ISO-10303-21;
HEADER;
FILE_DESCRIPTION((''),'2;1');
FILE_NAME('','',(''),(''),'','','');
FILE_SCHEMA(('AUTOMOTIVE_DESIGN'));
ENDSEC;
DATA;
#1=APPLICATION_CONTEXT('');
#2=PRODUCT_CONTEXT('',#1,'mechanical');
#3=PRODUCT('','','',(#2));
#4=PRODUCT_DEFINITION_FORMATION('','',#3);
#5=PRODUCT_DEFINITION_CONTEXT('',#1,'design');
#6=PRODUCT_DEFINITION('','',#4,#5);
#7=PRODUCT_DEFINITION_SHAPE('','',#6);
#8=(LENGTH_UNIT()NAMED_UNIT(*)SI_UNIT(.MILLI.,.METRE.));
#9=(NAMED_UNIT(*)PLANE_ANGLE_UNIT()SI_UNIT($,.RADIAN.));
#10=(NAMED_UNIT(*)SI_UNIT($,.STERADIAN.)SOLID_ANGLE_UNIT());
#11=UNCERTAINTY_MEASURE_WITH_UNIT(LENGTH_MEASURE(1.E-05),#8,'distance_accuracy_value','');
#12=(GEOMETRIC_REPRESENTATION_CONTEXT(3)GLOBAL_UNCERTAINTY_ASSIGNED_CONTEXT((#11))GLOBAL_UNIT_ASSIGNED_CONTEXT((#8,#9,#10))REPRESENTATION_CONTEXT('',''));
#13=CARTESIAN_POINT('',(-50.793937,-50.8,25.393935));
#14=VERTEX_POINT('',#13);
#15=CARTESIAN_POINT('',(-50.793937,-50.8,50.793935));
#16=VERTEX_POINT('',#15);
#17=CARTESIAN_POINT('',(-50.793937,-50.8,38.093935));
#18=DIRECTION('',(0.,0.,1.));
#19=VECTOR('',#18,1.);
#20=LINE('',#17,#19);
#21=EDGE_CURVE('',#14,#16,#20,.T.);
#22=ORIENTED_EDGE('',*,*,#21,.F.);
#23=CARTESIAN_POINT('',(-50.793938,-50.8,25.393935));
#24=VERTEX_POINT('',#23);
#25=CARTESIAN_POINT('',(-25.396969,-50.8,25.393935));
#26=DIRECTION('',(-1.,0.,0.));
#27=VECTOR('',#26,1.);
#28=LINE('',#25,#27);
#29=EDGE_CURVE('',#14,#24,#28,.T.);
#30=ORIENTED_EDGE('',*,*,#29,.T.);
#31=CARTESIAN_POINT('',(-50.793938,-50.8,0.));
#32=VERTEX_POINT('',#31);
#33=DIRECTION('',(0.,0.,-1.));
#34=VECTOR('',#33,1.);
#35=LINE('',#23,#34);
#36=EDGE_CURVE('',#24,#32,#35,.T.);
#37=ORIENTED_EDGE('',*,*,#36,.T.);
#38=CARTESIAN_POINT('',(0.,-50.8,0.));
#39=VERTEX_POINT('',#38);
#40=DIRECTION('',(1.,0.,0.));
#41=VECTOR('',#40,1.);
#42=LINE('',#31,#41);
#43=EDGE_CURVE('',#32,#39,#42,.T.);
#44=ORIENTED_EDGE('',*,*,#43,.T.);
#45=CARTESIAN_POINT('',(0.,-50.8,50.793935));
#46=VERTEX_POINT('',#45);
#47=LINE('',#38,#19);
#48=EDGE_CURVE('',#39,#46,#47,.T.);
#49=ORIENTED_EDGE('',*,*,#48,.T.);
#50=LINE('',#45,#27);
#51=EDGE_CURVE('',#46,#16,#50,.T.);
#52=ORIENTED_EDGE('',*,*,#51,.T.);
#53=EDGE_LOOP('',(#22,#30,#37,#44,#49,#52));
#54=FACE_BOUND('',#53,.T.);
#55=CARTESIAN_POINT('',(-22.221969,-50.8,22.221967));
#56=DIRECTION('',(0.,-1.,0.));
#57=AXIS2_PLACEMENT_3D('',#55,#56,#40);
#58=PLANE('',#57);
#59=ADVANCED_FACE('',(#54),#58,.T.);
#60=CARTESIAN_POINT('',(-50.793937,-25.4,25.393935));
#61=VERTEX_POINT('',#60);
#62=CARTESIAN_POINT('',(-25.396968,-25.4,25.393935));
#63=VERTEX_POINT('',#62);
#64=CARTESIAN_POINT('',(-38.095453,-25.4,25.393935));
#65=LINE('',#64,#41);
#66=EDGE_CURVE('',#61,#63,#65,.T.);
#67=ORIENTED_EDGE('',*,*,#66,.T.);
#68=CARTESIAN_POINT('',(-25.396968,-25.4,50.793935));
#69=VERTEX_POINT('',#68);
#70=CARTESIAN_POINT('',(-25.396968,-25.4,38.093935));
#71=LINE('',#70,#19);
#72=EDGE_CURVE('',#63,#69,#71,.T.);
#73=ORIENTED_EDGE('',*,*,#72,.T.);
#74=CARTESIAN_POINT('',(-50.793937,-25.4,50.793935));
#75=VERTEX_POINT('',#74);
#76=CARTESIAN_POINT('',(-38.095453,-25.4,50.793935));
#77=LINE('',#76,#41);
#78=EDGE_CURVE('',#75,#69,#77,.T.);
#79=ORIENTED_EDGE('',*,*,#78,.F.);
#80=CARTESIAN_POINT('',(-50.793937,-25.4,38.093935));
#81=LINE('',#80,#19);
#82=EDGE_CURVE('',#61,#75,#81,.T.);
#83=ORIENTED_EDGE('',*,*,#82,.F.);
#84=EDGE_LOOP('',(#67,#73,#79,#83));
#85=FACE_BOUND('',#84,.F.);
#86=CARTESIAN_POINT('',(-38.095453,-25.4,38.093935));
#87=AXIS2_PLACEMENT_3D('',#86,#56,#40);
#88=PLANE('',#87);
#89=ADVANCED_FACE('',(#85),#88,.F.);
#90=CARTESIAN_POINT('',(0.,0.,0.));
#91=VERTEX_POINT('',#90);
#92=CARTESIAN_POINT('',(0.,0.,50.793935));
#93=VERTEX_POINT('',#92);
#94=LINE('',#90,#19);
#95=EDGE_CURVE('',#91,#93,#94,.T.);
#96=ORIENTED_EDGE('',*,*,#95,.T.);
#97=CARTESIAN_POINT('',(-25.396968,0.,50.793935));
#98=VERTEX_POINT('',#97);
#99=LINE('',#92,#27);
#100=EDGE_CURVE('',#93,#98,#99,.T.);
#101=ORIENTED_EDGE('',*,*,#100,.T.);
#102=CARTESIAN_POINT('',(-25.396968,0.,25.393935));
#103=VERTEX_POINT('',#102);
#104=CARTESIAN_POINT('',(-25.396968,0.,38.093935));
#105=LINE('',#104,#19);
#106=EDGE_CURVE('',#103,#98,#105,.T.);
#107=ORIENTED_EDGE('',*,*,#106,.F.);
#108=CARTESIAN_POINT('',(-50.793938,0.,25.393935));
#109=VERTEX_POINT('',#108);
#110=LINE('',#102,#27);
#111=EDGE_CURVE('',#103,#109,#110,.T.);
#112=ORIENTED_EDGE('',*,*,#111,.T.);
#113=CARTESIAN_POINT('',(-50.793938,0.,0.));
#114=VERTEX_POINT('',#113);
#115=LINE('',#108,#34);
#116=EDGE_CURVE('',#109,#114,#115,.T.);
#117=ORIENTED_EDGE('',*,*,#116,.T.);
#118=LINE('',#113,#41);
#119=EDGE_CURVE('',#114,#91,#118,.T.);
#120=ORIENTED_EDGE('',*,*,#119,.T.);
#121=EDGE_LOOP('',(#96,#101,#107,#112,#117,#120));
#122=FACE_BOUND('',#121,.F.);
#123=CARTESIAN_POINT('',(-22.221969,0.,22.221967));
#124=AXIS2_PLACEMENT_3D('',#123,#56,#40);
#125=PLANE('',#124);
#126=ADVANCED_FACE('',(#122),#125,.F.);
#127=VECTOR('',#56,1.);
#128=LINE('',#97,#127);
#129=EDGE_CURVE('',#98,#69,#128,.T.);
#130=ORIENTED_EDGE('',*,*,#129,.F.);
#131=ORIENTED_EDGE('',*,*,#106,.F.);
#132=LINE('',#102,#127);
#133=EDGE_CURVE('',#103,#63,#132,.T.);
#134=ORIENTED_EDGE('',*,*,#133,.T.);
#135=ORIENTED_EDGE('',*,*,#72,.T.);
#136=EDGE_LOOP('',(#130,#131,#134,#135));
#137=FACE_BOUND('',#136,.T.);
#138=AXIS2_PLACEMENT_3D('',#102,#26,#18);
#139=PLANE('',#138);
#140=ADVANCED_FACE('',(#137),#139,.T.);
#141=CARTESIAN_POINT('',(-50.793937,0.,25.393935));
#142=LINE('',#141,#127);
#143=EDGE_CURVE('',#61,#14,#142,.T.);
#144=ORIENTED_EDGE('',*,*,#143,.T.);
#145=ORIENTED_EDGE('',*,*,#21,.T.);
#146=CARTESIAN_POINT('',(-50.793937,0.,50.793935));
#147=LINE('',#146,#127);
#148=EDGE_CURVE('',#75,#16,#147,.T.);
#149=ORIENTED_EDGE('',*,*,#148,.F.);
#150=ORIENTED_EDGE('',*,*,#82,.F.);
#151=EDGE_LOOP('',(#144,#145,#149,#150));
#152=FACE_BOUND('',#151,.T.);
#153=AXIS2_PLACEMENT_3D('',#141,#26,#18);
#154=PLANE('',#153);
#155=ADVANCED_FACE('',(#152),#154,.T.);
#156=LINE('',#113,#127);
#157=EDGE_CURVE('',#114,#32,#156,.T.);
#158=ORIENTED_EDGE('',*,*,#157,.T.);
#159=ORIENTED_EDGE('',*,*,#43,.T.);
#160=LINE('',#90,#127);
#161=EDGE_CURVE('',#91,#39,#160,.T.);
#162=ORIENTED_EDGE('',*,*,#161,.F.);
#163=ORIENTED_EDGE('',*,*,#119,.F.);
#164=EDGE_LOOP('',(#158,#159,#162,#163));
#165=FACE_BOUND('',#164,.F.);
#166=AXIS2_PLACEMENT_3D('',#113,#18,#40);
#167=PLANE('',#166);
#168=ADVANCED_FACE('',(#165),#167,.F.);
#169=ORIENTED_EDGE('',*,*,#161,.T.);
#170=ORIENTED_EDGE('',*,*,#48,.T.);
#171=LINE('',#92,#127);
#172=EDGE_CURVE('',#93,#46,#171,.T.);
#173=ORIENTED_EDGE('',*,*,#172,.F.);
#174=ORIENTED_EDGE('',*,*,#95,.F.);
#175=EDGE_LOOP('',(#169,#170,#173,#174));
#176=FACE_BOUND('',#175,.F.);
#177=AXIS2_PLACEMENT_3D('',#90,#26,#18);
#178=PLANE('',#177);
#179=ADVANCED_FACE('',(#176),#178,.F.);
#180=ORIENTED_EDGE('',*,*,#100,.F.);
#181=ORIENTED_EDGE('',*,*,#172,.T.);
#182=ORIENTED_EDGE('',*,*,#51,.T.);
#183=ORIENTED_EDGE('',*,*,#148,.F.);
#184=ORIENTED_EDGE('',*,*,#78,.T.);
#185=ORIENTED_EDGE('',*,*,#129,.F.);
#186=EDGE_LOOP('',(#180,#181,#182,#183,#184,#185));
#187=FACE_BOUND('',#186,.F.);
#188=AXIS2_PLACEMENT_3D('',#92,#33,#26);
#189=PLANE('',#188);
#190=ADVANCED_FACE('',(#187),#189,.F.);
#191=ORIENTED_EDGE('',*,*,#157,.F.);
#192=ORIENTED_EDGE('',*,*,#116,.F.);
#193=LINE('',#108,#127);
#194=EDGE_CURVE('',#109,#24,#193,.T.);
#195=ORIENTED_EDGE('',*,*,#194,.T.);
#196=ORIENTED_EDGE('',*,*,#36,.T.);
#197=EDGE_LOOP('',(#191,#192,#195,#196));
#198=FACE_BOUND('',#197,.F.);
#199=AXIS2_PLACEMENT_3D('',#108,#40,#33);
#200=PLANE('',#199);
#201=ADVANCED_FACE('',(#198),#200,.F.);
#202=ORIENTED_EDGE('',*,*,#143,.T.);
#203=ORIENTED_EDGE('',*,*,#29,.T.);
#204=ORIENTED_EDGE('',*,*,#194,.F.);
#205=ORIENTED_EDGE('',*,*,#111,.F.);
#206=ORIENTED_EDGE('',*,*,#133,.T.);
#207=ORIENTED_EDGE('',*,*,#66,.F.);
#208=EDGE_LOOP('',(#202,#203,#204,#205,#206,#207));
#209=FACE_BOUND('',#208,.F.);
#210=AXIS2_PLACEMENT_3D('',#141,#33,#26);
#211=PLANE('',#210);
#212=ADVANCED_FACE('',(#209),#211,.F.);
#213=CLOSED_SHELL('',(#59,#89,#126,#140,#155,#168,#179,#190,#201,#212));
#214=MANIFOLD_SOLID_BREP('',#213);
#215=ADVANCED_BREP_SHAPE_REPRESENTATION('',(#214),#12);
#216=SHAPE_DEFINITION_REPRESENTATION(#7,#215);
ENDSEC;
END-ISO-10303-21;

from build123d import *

# Parameters (mm, degrees)
F0_W     = 25.396969
F0_H     = 25.4
F1_DEPTH = 50.8
F2_DEPTH = 25.4


with BuildPart() as f1:
    # F0 (on Front) → F1 (new body)
    with BuildSketch(Plane.XZ):
        Polygon((-50.793938, 0), (0, 0), (0, 50.793935), (-25.396969, 50.793935), (-25.396969, 25.393935), (-50.793938, 25.393935), align=None)
        with Locations((-38.095453, 38.093935)):
            Rectangle(F0_W, F0_H)
    extrude(amount=F1_DEPTH)

    # F0 (on Front) → F2 (cut)
    with BuildSketch(Plane.XZ):
        with Locations((-38.095453, 38.093935)):
            Rectangle(F0_W, F0_H)
    extrude(amount=F2_DEPTH, mode=Mode.SUBTRACT)


solid = f1.part
